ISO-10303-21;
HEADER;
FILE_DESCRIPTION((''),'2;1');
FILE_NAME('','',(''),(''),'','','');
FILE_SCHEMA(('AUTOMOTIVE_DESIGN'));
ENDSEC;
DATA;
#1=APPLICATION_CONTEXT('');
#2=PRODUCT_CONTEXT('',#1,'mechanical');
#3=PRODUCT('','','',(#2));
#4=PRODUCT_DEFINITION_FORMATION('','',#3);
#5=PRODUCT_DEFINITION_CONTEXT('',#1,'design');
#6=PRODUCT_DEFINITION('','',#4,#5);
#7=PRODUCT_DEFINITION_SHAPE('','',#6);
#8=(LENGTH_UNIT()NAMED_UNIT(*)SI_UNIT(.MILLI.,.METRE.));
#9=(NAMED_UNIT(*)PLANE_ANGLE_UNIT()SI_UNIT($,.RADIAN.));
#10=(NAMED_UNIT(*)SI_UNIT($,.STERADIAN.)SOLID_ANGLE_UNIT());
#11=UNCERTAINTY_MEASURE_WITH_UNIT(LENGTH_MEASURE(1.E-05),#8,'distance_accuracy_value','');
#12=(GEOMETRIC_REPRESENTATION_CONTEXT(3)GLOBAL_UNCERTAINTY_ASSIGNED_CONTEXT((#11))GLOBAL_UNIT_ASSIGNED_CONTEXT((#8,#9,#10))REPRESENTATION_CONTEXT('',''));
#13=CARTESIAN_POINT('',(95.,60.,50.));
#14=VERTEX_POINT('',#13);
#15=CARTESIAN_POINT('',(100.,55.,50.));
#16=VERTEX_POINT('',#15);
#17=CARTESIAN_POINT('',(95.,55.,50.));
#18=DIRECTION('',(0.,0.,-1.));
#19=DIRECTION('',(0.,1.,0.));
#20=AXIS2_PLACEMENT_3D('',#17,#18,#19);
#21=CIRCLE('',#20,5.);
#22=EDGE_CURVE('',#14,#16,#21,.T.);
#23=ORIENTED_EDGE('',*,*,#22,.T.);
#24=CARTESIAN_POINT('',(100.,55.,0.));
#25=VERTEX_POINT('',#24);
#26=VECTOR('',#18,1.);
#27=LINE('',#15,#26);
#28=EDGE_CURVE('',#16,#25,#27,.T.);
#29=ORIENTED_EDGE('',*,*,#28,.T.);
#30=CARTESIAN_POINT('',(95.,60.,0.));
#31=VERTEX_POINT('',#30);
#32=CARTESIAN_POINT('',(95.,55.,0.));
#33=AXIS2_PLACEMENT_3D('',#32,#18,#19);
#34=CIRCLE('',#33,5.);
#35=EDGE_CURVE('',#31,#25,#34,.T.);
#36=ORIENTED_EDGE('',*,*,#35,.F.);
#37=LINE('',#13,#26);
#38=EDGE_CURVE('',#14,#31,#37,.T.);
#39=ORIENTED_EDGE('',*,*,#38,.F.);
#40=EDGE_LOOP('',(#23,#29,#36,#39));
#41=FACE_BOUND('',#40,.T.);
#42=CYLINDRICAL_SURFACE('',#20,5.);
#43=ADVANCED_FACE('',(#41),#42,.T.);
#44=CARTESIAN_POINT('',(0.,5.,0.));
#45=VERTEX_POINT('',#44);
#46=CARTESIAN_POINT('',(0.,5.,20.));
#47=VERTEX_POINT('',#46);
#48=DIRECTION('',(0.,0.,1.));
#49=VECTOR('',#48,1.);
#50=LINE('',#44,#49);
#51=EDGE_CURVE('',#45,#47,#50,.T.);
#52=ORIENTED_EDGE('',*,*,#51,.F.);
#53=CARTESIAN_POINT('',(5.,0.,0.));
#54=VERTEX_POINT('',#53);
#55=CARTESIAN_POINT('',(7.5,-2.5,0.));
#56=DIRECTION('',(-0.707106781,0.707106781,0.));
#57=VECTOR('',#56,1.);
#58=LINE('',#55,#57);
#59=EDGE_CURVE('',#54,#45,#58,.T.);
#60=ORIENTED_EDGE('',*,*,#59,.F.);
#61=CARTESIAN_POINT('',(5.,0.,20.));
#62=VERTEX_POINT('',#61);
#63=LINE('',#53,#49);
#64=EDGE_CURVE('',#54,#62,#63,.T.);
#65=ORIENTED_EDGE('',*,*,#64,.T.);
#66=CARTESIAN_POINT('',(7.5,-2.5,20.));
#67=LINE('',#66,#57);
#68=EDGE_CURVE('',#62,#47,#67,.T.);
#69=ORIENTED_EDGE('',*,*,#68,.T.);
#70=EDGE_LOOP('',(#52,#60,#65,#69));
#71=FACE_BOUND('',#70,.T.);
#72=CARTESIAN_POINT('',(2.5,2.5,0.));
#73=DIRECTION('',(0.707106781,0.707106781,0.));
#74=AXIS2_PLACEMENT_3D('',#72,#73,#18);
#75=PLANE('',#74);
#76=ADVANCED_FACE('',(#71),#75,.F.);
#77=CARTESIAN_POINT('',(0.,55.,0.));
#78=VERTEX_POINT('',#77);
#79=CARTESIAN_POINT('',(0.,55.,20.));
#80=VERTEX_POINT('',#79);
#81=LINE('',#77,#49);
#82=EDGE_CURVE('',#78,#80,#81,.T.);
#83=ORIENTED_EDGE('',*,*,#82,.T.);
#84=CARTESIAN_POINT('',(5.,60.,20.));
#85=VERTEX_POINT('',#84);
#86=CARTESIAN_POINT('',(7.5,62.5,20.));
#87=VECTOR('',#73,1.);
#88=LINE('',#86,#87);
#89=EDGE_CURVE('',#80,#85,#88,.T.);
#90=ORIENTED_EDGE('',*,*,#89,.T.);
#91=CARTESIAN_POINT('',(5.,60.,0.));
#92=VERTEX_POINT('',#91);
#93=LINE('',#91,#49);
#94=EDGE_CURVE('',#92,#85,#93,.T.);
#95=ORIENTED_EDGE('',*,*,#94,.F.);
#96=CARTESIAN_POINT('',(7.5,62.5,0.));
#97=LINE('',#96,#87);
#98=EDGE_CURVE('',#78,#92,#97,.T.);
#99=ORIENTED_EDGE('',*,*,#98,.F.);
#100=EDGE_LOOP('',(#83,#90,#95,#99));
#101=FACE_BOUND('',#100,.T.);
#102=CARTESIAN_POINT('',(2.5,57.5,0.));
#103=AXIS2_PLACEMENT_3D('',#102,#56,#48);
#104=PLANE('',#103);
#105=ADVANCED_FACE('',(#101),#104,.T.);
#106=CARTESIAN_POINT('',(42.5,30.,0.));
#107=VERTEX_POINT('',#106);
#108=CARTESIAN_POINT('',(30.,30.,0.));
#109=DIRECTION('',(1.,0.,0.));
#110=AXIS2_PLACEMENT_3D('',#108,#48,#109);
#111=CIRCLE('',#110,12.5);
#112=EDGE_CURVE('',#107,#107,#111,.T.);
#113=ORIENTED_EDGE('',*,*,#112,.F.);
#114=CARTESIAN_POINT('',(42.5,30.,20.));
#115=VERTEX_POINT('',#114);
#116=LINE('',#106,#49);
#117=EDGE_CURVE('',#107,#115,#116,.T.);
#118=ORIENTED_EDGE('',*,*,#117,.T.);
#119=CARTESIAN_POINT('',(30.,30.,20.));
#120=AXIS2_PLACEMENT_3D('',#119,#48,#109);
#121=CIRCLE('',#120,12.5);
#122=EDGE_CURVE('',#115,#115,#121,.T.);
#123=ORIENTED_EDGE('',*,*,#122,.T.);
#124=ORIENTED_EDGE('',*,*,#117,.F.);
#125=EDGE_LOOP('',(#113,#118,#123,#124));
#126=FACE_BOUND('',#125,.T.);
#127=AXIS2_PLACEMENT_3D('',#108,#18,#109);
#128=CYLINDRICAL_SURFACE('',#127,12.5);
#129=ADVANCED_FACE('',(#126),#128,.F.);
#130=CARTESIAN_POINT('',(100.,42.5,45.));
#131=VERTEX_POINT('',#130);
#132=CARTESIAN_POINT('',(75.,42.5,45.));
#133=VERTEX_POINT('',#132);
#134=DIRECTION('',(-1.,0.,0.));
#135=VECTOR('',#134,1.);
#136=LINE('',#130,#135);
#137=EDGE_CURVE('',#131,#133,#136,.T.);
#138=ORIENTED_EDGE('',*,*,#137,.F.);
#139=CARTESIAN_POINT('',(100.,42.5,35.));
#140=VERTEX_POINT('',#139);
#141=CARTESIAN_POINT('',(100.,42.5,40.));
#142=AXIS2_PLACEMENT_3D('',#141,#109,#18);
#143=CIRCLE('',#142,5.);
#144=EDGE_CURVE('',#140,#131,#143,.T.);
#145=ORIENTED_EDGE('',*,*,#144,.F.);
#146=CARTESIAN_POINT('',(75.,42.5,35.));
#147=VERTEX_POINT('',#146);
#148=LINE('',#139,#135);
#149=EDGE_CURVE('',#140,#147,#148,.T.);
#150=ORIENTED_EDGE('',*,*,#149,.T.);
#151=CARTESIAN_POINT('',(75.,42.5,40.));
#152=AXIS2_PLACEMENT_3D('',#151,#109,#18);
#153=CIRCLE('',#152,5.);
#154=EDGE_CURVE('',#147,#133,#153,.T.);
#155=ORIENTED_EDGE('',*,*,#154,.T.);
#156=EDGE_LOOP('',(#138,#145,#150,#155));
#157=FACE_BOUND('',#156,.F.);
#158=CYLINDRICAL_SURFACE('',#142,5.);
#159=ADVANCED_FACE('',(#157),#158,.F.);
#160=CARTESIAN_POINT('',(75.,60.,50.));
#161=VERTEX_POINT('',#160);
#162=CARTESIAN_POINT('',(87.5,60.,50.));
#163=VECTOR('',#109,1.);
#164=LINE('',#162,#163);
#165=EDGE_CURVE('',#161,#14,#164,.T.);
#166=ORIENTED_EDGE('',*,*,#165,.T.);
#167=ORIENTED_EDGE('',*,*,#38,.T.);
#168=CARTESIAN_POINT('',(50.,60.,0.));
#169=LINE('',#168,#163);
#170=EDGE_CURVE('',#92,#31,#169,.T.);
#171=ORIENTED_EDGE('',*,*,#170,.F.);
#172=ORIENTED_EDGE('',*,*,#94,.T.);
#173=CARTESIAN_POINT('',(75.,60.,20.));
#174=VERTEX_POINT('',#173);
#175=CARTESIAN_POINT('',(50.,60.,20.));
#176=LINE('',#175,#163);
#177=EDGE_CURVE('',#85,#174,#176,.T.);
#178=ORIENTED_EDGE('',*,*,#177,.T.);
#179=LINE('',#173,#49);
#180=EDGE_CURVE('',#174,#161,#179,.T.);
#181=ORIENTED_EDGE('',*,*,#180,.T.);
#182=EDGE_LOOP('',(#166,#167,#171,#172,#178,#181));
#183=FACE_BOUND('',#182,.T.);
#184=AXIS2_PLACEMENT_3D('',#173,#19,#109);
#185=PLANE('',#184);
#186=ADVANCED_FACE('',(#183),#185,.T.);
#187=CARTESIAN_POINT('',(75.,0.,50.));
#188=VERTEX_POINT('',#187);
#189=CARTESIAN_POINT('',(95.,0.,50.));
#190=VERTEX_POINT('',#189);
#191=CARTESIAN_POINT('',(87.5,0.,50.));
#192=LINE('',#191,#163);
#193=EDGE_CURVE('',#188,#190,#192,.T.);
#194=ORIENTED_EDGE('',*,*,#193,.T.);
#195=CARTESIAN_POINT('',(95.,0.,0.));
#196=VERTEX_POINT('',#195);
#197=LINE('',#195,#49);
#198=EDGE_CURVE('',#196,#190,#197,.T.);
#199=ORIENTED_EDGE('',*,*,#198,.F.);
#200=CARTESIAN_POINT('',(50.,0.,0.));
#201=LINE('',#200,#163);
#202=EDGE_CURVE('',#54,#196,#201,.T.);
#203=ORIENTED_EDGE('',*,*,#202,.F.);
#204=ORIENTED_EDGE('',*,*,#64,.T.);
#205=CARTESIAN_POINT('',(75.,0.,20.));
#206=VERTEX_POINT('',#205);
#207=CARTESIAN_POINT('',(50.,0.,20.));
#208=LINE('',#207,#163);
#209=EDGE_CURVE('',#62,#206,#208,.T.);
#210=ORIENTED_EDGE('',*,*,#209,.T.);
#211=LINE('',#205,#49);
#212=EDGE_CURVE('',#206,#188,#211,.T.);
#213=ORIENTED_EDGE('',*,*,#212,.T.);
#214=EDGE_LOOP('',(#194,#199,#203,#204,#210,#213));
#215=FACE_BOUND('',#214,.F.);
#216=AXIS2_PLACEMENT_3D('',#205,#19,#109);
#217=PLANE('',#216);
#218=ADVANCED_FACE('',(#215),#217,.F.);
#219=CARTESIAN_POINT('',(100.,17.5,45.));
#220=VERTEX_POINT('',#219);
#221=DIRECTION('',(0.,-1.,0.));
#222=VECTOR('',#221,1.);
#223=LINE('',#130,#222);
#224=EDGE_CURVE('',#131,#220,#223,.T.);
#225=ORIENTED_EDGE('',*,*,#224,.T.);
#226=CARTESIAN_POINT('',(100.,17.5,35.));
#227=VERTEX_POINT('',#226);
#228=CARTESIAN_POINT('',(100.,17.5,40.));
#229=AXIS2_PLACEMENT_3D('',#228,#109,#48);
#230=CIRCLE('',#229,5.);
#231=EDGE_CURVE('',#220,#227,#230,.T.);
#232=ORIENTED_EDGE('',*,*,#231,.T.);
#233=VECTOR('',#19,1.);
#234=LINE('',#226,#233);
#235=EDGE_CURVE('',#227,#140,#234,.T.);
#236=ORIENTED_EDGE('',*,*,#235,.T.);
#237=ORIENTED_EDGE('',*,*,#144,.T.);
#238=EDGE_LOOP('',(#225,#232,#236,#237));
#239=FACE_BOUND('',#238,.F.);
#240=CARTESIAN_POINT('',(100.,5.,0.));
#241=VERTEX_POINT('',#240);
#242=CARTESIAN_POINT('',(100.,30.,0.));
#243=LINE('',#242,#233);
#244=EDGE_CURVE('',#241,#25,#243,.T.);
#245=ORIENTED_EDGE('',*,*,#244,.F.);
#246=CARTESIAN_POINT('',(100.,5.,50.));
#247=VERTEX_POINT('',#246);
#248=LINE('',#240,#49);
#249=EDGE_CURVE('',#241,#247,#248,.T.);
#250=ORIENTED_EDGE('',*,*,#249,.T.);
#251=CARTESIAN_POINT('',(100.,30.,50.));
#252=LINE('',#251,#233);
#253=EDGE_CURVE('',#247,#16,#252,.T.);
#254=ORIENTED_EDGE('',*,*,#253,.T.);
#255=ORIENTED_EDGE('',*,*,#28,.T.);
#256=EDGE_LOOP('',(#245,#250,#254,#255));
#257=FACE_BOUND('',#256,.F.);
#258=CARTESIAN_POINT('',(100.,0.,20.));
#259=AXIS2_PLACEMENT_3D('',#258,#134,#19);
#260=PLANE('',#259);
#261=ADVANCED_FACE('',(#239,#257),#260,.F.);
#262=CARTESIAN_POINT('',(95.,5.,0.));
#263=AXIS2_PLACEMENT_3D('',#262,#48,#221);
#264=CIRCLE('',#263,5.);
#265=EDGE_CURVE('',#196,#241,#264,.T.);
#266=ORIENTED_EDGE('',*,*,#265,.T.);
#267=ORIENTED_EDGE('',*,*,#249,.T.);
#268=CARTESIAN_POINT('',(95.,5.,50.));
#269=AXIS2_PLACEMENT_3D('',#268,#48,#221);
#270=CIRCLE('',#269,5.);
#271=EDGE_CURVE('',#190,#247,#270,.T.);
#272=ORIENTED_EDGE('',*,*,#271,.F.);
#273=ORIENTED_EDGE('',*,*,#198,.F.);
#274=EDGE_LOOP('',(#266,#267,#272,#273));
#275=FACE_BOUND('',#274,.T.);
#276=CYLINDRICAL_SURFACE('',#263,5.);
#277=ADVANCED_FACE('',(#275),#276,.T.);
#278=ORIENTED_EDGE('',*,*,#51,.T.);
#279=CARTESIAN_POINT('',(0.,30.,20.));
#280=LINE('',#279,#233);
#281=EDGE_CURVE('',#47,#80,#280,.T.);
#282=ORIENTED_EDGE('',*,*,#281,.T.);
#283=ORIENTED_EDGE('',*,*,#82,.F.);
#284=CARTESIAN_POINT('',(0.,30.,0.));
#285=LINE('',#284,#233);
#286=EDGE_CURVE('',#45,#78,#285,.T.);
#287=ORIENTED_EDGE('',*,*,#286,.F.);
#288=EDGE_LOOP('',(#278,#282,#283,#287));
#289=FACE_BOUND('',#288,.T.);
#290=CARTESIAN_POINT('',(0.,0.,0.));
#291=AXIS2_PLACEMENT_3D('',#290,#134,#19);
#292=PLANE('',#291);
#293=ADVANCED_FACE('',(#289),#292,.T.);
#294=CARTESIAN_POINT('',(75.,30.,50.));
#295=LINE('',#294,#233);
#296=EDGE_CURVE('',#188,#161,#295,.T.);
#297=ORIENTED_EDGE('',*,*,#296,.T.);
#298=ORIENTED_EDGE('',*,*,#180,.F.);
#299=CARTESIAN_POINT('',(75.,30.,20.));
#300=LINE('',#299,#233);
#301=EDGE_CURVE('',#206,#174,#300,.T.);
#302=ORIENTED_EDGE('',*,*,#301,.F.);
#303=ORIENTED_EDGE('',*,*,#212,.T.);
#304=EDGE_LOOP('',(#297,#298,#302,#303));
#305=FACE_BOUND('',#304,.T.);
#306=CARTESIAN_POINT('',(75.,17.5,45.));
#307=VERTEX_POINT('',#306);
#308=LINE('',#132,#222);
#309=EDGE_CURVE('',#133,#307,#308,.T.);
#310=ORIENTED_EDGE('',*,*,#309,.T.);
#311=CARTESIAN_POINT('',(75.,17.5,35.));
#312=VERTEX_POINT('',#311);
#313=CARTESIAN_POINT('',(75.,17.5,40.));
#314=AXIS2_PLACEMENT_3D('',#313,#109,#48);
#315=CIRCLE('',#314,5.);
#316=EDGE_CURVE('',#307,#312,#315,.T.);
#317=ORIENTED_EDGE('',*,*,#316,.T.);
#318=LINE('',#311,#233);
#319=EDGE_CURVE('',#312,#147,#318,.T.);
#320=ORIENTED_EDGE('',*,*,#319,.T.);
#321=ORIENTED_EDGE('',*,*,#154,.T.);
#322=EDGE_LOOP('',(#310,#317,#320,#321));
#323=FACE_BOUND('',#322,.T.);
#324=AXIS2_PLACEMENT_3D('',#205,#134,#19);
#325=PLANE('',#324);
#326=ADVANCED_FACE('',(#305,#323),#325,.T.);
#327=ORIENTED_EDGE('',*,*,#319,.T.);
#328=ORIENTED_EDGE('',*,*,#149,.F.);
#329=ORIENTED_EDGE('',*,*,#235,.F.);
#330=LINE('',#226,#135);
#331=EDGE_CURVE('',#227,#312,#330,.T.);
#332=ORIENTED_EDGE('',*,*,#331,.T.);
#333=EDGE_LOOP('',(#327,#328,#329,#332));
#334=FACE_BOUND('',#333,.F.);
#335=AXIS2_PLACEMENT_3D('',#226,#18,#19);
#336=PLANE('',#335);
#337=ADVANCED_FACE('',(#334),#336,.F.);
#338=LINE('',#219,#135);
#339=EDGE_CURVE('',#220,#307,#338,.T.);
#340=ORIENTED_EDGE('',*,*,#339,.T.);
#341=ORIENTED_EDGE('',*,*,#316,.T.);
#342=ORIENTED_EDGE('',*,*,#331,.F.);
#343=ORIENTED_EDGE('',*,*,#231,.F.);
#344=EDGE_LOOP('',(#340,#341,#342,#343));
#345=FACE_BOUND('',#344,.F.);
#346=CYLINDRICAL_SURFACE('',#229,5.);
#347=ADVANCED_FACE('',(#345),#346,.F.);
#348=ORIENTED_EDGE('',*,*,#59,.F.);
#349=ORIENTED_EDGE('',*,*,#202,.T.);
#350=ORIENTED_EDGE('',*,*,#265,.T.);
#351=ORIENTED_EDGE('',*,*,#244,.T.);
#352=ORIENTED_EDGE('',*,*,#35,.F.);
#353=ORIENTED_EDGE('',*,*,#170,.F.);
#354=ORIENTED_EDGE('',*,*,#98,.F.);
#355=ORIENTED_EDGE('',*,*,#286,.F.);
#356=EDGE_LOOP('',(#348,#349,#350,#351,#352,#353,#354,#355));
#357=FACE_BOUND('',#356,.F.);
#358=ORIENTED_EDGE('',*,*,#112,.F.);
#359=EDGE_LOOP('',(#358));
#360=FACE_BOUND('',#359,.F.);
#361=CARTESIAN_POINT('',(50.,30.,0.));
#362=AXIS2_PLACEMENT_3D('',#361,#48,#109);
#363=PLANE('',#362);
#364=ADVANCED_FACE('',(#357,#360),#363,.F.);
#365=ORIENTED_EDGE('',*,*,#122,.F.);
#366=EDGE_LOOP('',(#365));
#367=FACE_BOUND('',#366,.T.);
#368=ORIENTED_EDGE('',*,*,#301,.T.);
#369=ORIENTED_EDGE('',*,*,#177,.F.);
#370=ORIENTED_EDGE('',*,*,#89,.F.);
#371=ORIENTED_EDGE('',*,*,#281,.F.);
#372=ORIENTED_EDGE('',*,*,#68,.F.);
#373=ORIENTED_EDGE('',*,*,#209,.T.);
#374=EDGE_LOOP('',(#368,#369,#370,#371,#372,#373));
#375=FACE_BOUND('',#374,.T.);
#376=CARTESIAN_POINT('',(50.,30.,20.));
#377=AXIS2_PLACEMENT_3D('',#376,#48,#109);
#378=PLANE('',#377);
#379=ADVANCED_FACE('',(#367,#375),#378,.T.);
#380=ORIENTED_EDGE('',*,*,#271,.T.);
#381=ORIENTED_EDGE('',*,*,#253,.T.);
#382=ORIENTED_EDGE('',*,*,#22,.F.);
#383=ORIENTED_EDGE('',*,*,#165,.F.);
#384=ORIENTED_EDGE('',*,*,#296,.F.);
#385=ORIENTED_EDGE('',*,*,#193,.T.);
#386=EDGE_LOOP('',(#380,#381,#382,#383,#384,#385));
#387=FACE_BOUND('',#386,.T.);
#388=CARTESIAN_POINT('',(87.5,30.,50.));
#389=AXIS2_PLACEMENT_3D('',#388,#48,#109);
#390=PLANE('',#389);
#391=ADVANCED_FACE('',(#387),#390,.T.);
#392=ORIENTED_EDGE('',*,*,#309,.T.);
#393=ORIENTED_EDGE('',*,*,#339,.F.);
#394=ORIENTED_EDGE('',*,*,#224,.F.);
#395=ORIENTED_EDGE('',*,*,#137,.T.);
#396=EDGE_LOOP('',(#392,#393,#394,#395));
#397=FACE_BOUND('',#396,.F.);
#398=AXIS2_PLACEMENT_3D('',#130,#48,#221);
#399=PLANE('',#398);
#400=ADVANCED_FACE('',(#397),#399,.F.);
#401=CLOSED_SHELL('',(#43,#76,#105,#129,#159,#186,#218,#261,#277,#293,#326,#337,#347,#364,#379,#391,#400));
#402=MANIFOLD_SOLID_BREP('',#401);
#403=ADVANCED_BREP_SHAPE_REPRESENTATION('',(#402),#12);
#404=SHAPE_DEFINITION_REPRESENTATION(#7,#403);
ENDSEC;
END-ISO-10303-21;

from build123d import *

# Parameters (mm, degrees)
SKETCH_W     = 100
SKETCH_H     = 60
SKETCH_R     = 12.5
PAD_DEPTH    = 20
SKETCH001_W  = 25
SKETCH001_H  = 60
PAD001_DEPTH = 30
POCKET_DEPTH = 25
FILLET_R     = 5
CHAMFER_SIZE = 5


with BuildPart() as part:
    # Sketch → Pad (new body)
    with BuildSketch(Plane.XY):
        with Locations((50, 30)):
            Rectangle(SKETCH_W, SKETCH_H)
        with Locations((30, 30)):
            Circle(SKETCH_R, mode=Mode.SUBTRACT)
    extrude(amount=PAD_DEPTH)

    # Sketch001 (on Face7 of Pad) → Pad001 (join)
    with BuildSketch(Plane.XY.offset(20)):
        with Locations((87.5, 30)):
            Rectangle(SKETCH001_W, SKETCH001_H)
    extrude(amount=PAD001_DEPTH)

    # Sketch002 (on Face8 of Pad001) → Pocket (cut)
    with BuildSketch(Plane.YZ.offset(100)):
        with BuildLine():
            ThreePointArc((17.5, 45), (12.5, 40), (17.5, 35))
            Line((17.5, 35), (42.5, 35))
            ThreePointArc((42.5, 35), (47.5, 40), (42.5, 45))
            Line((42.5, 45), (17.5, 45))
        make_face()
    extrude(amount=-POCKET_DEPTH, mode=Mode.SUBTRACT)

    # Fillet
    fillet_edges = [part.edges().sort_by_distance(p)[0] for p in [
        (100, 0, 25),
        (100, 60, 25),
    ]]
    fillet(fillet_edges, radius=FILLET_R)

    # Chamfer
    chamfer_edges = [part.edges().sort_by_distance(p)[0] for p in [
        (0, 0, 10),
        (0, 60, 10),
    ]]
    chamfer(chamfer_edges, length=CHAMFER_SIZE)


solid = part.part
